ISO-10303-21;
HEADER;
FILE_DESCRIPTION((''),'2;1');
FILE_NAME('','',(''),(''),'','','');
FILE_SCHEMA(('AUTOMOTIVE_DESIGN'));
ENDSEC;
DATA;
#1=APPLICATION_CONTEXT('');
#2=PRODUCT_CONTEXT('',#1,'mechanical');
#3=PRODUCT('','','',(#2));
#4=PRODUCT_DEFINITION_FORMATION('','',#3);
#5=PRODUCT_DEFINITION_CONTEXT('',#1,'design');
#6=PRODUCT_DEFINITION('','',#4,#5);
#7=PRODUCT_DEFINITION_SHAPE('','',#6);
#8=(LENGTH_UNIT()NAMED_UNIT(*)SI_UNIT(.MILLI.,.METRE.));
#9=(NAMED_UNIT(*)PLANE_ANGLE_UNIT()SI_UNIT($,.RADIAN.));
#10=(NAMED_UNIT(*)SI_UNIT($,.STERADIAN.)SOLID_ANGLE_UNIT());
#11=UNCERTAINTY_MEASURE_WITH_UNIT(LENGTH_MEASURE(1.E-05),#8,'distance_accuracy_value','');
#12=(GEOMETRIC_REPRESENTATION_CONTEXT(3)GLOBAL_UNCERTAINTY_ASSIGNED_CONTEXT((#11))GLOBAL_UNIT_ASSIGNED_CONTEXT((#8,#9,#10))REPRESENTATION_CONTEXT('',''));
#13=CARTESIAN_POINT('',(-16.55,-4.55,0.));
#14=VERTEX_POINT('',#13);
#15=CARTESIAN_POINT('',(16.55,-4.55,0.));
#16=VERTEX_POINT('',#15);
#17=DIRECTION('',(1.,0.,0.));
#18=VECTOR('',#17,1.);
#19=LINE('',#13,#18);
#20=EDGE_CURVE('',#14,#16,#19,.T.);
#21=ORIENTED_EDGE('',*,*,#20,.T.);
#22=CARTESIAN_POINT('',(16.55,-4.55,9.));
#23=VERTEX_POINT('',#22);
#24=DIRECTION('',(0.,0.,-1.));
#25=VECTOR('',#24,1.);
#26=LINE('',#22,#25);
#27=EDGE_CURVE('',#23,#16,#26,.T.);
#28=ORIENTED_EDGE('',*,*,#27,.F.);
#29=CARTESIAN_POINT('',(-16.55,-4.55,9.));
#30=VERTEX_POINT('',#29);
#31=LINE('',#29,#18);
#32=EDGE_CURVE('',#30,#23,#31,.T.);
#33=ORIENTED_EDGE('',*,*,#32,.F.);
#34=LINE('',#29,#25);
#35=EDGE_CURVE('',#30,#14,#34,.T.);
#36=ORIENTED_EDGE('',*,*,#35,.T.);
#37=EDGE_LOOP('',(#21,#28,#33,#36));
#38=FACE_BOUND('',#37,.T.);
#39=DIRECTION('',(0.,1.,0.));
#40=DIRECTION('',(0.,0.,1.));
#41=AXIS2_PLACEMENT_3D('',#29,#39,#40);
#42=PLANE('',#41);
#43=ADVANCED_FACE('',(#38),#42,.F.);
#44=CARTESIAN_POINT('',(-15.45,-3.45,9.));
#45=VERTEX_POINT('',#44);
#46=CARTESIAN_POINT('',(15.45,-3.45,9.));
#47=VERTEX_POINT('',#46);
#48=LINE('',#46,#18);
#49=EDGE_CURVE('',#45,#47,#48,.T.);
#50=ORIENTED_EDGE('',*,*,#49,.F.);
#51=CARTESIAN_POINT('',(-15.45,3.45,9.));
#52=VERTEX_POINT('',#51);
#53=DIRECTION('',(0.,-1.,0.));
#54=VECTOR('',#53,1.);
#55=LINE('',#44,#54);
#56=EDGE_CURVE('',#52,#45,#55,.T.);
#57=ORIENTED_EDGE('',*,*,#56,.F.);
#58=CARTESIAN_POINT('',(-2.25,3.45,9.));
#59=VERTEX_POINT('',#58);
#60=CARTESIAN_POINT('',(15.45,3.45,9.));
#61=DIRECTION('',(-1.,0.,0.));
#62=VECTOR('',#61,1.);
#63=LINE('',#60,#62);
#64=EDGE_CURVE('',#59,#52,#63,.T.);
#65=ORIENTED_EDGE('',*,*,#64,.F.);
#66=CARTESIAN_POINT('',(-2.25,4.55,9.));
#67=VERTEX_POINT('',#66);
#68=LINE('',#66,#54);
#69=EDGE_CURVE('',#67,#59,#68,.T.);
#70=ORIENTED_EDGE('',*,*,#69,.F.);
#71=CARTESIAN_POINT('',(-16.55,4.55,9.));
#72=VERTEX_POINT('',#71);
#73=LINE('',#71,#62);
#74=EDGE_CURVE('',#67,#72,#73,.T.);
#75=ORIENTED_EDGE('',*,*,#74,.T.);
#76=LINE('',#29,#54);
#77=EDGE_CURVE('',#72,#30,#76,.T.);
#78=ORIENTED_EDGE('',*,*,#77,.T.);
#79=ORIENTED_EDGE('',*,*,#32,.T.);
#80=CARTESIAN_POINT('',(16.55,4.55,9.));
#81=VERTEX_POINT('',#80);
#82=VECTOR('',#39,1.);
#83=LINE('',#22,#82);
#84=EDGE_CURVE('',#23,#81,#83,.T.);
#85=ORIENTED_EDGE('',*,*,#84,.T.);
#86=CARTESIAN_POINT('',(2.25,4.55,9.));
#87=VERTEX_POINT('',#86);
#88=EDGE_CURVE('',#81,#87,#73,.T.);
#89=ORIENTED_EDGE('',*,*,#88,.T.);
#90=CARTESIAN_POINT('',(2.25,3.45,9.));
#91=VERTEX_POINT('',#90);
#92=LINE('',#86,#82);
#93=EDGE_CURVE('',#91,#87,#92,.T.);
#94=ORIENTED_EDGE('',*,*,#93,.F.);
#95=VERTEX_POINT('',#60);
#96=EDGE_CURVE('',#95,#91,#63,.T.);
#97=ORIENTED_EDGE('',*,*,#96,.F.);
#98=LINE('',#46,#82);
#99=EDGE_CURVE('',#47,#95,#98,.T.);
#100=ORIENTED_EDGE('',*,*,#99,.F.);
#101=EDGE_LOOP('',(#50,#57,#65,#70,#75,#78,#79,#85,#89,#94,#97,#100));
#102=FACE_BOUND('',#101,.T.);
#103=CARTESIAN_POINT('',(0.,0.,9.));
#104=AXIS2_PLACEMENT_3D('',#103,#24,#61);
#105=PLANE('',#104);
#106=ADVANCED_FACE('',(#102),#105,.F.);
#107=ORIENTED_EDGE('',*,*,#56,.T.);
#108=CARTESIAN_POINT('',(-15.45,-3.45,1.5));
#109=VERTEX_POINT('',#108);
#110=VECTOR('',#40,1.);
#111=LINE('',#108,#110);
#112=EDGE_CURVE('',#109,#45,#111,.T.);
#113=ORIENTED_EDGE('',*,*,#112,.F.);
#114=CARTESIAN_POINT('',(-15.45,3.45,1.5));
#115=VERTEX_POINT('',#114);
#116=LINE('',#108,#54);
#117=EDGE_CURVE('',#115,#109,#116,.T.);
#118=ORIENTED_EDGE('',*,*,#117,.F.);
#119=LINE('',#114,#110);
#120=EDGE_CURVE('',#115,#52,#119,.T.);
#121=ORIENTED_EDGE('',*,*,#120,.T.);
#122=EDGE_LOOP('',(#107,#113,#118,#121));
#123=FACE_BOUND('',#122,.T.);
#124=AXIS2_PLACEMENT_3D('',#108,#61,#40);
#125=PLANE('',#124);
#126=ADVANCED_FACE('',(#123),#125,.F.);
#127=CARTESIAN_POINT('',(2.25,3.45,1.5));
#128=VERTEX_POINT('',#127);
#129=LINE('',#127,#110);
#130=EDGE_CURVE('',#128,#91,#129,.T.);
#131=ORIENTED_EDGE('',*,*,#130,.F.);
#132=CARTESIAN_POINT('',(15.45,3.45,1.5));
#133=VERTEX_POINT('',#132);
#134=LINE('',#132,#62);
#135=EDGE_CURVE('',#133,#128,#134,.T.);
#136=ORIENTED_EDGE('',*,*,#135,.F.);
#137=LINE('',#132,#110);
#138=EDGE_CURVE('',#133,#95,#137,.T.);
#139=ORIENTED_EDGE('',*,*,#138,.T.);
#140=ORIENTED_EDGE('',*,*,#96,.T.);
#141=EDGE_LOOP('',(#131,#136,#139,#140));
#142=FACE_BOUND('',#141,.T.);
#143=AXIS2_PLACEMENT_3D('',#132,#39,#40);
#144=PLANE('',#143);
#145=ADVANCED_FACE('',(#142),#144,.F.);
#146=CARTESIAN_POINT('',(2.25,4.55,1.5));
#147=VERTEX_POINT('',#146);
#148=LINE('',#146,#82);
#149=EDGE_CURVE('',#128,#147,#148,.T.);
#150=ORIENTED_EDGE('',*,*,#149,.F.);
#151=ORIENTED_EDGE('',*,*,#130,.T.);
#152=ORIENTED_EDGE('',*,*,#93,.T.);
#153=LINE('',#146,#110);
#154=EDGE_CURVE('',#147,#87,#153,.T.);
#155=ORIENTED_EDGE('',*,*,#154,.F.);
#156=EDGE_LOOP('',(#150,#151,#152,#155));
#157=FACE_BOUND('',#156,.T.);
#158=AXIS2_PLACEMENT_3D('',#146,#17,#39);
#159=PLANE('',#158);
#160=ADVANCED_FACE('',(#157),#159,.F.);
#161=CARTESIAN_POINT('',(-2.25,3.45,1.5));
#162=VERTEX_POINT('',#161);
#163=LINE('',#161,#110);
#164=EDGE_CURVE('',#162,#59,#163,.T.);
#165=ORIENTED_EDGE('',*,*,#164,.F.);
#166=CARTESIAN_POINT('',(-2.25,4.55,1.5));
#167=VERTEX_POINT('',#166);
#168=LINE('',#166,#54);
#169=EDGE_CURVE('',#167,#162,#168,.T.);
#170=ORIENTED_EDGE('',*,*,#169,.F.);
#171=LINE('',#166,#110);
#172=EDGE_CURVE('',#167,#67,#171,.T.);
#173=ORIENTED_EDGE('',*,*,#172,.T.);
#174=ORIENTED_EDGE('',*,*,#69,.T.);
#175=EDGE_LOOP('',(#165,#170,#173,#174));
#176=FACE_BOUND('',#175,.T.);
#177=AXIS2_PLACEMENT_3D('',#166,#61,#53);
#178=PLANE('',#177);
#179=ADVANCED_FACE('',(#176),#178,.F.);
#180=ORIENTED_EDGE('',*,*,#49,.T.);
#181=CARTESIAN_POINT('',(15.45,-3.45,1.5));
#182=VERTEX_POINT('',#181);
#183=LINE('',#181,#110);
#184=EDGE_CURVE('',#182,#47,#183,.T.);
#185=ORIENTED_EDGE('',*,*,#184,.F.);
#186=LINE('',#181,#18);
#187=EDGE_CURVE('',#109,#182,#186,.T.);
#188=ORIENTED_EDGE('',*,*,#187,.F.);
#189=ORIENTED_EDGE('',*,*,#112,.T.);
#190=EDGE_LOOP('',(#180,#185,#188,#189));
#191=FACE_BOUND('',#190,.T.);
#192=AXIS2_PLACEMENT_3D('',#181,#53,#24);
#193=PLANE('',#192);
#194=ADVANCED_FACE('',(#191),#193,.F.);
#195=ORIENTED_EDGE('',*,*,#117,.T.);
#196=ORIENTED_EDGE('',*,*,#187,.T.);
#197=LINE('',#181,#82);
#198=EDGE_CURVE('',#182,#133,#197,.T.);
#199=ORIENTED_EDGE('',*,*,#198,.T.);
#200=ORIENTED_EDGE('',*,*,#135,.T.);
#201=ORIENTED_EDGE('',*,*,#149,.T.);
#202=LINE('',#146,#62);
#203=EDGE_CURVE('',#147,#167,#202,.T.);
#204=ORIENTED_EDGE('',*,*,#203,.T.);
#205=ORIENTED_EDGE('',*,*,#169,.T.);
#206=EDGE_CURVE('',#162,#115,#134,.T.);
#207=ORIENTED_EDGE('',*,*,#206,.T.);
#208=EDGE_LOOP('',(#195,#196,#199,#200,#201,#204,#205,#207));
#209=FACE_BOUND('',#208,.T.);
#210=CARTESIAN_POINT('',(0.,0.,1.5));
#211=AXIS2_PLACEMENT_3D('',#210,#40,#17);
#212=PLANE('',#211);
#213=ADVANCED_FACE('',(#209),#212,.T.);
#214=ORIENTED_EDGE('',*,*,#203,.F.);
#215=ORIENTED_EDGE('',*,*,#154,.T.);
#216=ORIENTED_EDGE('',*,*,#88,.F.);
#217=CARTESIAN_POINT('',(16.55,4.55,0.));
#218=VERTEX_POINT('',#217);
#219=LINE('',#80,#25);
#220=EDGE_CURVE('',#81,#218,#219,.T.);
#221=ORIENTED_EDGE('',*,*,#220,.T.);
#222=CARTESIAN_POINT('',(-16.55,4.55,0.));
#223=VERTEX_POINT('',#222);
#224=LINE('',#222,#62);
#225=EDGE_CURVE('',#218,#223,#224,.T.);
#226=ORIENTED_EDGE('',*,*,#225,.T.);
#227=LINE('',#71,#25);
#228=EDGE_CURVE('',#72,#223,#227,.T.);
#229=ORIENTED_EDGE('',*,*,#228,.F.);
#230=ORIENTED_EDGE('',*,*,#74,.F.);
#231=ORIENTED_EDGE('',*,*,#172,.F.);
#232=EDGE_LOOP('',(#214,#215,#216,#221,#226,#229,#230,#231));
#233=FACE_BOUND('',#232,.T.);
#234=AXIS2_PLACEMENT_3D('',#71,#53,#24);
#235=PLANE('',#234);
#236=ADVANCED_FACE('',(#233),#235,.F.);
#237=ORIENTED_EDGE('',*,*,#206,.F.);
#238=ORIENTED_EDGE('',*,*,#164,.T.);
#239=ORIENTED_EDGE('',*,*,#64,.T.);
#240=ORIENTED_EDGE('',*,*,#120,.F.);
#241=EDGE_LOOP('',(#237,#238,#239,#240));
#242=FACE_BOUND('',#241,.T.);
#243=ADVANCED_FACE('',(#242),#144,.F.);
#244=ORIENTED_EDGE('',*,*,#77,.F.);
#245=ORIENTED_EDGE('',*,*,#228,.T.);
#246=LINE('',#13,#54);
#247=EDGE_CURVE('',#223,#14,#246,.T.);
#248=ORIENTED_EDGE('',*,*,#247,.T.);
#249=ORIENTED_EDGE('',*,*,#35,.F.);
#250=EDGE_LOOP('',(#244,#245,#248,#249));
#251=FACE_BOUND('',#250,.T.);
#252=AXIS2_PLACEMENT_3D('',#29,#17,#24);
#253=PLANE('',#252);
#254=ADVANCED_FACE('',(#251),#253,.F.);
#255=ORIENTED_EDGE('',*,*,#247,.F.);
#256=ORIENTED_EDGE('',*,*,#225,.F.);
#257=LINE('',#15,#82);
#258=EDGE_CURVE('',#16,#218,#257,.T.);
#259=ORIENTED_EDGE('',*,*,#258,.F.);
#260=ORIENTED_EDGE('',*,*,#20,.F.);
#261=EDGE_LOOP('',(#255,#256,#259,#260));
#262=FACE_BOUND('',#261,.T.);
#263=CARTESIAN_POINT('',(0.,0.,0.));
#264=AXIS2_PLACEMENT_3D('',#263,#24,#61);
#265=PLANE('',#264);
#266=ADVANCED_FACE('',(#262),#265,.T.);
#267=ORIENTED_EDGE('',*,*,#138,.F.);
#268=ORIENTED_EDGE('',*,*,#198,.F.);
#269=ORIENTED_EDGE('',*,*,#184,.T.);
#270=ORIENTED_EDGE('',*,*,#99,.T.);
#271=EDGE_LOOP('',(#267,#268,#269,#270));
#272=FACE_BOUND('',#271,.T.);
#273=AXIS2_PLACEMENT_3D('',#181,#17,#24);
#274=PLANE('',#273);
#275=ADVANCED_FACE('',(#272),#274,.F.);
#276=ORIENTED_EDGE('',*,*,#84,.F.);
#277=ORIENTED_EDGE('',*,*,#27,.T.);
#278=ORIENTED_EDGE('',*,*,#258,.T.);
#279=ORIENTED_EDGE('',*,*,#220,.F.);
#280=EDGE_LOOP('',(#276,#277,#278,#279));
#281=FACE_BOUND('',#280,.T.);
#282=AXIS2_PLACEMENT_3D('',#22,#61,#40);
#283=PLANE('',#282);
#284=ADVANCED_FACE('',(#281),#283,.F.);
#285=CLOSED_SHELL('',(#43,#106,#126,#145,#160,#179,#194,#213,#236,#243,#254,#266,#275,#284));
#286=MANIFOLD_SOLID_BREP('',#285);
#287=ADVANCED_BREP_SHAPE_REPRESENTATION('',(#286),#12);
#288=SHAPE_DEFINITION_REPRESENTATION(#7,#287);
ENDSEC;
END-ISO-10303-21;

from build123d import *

# Parameters (mm, degrees)
SKETCH_2_W          = 33.1
SKETCH_2_H          = 9.1
EXTRUDE_1_DEPTH     = 9
SKETCH_3_W          = 30.9
SKETCH_3_H          = 6.9
CUT_EXTRUDE_1_DEPTH = 7.5
SKETCH_4_W          = 4.5
SKETCH_4_H          = 1.1
CUT_EXTRUDE_2_DEPTH = 7.5


with BuildPart() as part:
    # Эскиз2 → Бобышка-Вытянуть1 (new body)
    with BuildSketch(Plane.XY):
        Rectangle(SKETCH_2_W, SKETCH_2_H)
    extrude(amount=EXTRUDE_1_DEPTH)

    # Эскиз3 → Вырез-Вытянуть1 (cut)
    with BuildSketch(Plane.XY.offset(9)):
        Rectangle(SKETCH_3_W, SKETCH_3_H)
    extrude(amount=-CUT_EXTRUDE_1_DEPTH, mode=Mode.SUBTRACT)

    # Эскиз4 → Вырез-Вытянуть2 (cut)
    with BuildSketch(Plane.XY.offset(9)):
        with Locations((0, 4)):
            Rectangle(SKETCH_4_W, SKETCH_4_H)
    extrude(amount=-CUT_EXTRUDE_2_DEPTH, mode=Mode.SUBTRACT)


solid = part.part
